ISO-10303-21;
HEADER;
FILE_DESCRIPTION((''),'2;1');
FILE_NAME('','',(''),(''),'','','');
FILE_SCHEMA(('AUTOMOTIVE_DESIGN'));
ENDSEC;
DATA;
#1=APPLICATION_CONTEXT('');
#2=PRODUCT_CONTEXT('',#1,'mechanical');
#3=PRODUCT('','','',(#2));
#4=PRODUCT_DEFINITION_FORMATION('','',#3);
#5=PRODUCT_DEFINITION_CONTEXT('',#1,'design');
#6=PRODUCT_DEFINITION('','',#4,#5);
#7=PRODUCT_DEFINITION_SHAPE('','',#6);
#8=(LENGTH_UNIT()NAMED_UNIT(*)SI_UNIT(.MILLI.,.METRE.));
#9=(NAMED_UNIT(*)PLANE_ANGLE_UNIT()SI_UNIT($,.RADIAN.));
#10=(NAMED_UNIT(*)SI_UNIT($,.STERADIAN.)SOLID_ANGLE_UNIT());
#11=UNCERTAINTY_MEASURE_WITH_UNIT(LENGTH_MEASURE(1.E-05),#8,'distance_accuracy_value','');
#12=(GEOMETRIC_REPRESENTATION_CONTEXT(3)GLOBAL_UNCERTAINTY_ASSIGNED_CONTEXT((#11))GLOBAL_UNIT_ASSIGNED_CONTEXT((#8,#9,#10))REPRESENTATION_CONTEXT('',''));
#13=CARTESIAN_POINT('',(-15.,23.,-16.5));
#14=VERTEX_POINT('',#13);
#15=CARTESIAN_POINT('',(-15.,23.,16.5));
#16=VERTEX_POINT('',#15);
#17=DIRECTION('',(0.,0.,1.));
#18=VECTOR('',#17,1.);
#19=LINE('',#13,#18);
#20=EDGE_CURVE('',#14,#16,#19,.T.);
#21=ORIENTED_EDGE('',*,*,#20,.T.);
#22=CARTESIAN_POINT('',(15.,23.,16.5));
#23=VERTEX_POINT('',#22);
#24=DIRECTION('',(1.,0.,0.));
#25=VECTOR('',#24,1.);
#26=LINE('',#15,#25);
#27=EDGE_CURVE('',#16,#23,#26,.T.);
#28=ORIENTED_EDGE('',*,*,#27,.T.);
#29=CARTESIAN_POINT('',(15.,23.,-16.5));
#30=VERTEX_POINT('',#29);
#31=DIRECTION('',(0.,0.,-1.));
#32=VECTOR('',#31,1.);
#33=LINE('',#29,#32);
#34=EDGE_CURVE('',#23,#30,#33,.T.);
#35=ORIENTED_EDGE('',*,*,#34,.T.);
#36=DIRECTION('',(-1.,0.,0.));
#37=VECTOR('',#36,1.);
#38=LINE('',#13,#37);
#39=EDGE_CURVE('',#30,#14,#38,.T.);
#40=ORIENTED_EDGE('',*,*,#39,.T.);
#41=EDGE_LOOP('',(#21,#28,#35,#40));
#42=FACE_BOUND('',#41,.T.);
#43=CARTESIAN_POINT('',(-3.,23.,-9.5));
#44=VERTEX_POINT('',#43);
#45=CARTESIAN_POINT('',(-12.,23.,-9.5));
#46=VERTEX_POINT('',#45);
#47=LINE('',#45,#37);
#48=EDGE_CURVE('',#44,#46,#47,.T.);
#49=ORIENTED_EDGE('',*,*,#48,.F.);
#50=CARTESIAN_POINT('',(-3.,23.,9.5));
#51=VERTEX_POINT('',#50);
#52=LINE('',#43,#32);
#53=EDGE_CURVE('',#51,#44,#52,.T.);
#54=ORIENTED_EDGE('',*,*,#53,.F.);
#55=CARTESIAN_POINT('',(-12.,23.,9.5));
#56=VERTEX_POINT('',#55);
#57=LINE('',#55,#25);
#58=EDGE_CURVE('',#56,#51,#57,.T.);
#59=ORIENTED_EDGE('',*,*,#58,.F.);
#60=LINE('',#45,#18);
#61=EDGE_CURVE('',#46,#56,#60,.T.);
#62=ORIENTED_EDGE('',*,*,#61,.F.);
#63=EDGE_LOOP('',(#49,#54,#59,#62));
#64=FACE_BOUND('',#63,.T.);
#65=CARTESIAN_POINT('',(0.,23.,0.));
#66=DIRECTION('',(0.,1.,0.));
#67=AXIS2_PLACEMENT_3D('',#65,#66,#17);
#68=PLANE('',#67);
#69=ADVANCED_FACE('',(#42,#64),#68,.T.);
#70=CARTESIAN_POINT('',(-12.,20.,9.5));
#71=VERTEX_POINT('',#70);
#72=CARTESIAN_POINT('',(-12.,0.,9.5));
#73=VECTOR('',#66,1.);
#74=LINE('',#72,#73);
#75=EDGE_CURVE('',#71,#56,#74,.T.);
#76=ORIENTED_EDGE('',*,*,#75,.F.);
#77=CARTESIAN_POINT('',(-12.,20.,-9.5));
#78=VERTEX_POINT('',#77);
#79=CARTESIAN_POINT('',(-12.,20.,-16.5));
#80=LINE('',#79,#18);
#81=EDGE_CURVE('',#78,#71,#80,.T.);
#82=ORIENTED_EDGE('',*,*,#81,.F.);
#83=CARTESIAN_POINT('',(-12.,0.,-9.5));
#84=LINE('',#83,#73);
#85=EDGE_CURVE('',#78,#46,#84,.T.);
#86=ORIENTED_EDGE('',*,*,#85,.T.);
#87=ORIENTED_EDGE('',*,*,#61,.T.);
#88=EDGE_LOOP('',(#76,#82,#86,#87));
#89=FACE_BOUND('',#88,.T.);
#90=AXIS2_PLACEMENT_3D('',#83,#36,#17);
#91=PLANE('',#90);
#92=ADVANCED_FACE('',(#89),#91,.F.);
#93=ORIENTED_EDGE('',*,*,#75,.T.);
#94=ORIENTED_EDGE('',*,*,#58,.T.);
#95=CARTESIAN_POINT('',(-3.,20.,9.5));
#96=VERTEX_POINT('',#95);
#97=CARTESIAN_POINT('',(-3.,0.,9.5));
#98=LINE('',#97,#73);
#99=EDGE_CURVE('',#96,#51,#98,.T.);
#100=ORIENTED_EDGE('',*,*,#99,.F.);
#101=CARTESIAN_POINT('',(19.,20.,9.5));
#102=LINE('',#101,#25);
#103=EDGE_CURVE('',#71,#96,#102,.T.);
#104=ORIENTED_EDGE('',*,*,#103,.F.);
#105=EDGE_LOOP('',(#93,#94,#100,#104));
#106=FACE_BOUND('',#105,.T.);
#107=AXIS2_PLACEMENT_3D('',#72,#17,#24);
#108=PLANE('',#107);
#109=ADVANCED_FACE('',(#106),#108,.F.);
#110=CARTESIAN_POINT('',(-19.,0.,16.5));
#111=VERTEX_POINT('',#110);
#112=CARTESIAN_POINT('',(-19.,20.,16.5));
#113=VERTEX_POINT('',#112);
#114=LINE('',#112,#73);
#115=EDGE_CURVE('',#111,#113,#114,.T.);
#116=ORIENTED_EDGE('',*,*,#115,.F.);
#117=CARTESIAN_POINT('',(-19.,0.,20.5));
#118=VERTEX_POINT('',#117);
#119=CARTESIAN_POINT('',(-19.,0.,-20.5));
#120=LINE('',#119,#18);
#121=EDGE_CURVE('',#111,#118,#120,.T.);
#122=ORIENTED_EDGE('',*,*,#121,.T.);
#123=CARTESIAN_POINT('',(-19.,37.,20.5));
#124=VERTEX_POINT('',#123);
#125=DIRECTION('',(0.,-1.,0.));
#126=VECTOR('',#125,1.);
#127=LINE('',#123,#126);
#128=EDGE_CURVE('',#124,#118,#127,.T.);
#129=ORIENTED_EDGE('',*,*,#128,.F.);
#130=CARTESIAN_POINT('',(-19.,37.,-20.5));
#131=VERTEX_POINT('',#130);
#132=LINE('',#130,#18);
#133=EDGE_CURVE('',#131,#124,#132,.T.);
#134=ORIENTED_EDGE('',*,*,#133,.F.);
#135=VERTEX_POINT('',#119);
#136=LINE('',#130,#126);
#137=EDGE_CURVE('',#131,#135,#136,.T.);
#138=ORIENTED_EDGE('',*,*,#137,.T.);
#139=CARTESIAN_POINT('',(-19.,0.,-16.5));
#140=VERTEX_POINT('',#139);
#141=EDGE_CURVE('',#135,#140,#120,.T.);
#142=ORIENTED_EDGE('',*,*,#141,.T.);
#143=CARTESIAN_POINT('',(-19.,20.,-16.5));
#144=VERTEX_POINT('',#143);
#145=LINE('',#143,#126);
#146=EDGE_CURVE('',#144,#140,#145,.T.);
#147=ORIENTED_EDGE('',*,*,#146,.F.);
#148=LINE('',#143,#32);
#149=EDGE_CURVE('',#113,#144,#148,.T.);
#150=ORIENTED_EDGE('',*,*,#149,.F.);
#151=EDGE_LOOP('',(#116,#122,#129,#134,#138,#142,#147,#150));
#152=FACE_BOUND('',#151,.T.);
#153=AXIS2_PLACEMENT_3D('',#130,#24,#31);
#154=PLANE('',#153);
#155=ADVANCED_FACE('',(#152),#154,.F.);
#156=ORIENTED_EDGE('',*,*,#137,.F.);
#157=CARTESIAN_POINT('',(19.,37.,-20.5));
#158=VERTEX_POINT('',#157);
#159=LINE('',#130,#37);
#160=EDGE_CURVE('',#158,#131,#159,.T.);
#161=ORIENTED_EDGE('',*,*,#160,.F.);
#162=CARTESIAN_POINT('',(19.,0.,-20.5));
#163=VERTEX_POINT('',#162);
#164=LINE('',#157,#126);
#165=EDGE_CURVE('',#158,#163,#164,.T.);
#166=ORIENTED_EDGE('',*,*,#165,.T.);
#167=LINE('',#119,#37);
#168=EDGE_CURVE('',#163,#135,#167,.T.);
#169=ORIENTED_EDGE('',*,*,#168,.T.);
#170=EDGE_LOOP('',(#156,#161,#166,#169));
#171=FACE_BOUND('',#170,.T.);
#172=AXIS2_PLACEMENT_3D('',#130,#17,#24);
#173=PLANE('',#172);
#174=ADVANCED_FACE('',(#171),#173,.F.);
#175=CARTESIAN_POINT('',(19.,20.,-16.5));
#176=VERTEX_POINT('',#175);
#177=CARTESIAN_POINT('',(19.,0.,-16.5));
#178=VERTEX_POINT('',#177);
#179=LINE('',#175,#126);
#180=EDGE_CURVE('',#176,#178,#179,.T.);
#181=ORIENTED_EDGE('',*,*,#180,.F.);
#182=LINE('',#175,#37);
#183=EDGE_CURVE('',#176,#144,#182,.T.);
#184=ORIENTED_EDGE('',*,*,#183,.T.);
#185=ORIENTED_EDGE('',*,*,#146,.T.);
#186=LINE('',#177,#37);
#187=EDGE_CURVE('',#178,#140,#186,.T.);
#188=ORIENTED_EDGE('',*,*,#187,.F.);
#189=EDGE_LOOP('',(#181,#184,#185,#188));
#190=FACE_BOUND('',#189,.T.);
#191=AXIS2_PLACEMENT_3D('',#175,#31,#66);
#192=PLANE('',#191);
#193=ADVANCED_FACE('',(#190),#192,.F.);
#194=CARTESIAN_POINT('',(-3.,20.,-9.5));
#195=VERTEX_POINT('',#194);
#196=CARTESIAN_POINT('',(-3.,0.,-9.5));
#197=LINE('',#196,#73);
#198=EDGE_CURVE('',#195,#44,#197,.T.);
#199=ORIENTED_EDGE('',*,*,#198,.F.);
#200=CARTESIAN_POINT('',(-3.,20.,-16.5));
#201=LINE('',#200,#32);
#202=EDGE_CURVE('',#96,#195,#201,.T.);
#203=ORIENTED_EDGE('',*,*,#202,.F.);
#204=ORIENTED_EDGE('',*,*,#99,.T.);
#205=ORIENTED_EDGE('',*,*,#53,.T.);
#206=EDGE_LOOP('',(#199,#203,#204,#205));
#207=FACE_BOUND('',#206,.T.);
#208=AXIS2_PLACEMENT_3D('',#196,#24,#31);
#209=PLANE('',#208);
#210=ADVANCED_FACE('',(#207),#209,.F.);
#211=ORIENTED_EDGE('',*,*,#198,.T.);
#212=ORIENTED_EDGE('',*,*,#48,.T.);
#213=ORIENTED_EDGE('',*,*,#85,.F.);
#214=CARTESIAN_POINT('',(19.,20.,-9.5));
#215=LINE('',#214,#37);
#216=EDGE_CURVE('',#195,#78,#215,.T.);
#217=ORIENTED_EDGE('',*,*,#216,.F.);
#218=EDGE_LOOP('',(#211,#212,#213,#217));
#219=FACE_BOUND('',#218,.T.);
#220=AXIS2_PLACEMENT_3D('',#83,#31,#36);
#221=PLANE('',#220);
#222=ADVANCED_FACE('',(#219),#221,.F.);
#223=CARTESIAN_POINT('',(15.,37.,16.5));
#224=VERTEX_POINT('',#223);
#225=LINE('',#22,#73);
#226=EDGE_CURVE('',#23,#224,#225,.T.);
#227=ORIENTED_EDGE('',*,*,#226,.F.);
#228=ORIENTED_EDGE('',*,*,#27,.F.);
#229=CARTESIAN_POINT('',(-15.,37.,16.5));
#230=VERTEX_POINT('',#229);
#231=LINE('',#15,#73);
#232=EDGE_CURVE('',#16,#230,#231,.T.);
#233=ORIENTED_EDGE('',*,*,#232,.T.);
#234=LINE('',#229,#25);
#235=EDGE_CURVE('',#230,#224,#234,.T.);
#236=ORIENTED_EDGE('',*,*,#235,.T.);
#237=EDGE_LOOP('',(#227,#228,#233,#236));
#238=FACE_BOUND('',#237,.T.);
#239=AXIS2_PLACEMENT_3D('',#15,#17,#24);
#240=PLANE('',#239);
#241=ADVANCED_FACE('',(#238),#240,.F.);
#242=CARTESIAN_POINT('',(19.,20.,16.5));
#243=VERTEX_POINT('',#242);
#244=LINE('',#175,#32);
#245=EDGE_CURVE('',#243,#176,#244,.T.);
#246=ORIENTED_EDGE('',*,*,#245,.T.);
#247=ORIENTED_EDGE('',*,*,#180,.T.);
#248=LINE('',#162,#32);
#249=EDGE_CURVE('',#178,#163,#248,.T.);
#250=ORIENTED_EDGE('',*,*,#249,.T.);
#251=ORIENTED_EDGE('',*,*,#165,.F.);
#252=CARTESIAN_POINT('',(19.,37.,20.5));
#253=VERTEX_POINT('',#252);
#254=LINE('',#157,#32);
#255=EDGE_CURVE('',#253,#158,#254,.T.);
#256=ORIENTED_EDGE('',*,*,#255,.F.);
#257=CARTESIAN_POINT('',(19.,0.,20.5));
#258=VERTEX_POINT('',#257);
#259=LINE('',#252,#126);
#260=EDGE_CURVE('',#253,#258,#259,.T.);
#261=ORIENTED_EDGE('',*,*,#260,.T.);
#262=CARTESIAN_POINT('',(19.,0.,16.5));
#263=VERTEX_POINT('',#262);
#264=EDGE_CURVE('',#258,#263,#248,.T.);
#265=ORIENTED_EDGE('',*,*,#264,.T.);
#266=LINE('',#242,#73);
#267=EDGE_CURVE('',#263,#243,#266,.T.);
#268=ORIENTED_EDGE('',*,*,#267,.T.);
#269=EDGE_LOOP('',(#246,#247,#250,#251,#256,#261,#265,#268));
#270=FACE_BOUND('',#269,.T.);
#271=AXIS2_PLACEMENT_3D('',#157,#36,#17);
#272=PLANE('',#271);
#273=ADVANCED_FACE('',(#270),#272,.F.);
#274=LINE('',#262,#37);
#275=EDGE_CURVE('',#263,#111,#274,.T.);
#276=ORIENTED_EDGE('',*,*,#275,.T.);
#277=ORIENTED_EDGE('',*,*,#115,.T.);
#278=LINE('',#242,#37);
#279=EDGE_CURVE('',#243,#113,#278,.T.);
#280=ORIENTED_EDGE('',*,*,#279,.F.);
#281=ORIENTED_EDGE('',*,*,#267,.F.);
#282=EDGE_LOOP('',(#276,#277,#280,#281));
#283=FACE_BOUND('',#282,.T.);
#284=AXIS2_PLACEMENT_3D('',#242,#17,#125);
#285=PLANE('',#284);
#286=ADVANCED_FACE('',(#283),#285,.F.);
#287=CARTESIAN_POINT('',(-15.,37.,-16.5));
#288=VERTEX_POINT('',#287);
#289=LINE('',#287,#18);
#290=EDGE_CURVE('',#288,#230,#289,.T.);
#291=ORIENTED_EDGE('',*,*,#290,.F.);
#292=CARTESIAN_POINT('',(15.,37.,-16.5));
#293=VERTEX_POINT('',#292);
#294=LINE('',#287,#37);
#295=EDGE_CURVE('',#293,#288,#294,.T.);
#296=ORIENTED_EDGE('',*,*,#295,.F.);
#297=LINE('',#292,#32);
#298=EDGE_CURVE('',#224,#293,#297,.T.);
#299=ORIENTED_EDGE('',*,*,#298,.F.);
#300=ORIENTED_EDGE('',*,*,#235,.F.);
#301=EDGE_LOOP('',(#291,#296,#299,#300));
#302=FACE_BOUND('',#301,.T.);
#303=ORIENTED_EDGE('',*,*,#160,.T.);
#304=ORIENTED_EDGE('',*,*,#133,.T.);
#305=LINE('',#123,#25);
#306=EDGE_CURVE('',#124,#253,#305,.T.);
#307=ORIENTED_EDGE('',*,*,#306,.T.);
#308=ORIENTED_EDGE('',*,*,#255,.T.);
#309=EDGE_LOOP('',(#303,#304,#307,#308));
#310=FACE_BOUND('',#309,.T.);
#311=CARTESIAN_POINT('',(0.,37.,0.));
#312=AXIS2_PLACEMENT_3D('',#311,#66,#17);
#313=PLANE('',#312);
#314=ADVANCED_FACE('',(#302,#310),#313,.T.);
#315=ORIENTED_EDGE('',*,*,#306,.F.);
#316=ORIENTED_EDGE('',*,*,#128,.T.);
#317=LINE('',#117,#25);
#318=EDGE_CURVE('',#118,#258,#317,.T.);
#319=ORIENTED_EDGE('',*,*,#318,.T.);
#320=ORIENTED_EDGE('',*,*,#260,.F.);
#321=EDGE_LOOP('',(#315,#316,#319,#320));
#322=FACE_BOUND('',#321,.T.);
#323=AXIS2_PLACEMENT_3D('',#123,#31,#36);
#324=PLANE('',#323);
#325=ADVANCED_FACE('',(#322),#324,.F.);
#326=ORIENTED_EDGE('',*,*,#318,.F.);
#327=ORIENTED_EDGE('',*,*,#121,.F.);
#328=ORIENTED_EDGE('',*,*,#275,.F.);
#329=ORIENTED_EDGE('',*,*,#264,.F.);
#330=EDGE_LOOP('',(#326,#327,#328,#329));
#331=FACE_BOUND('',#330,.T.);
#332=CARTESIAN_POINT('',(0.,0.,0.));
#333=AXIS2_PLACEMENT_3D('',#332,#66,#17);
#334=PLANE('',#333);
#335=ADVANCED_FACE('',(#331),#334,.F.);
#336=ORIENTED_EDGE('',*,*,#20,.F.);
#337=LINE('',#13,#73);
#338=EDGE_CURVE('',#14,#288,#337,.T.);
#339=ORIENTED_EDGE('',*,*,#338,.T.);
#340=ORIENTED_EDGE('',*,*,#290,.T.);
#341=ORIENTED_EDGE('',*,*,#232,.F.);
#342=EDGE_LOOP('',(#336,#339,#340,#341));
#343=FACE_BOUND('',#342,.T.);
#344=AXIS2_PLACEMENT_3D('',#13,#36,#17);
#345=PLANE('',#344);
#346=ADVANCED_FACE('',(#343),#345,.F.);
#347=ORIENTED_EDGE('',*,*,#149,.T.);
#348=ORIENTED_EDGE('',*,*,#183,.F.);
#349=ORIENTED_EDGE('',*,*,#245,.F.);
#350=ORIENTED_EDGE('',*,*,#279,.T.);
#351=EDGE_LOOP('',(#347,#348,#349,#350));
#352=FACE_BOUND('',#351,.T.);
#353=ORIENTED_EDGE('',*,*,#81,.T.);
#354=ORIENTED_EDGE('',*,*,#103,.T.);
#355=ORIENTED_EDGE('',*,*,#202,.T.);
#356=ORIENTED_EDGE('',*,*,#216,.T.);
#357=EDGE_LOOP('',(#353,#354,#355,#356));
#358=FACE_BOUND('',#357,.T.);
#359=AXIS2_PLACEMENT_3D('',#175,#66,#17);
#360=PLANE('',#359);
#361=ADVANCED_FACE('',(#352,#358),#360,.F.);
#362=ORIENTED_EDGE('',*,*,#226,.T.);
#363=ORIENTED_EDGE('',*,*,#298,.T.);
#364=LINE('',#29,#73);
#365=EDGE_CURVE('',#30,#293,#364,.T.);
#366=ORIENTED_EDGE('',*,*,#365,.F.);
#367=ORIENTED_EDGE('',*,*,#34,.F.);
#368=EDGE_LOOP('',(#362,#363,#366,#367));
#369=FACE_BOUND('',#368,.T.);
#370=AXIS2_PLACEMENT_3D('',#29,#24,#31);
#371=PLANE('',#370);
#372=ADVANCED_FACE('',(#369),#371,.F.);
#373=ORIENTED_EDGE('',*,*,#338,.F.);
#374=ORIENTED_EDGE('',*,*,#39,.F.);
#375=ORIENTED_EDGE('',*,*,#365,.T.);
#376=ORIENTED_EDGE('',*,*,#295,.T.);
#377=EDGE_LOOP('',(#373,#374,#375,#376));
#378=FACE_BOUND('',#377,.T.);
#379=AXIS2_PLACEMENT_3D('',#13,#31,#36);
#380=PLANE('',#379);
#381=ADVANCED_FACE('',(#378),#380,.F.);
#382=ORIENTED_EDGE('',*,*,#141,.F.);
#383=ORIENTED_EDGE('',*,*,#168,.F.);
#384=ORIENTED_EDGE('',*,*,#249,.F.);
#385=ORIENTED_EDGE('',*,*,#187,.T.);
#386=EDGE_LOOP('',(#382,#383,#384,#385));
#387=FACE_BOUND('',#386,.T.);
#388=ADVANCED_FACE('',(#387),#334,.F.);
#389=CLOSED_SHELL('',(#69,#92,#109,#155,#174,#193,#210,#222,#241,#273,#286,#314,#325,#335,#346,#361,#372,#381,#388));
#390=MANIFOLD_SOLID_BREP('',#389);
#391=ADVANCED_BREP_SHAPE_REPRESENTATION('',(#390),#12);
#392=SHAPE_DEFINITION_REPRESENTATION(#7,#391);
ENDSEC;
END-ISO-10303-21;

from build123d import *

# Parameters (mm, degrees)
SKETCH1_W           = 38
SKETCH1_H           = 41
BOSS_EXTRUDE1_DEPTH = 37
SKETCH2_W           = 30
SKETCH2_H           = 33
CUT_EXTRUDE1_DEPTH  = 14
SKETCH3_W           = 33
SKETCH3_H           = 20
CUT_EXTRUDE2_DEPTH  = 57.861674263
SKETCH4_W           = 9
SKETCH4_H           = 19
CUT_EXTRUDE3_DEPTH  = 37.197375595


with BuildPart() as part:
    # Sketch1 → Boss-Extrude1 (new body)
    with BuildSketch(Plane(origin=(0, 0, 0), x_dir=(1, 0, 0), z_dir=(0, 1, 0))):
        Rectangle(SKETCH1_W, SKETCH1_H)
    extrude(amount=BOSS_EXTRUDE1_DEPTH)

    # Sketch2 → Cut-Extrude1 (cut)
    with BuildSketch(Plane(origin=(0, 37, 0), x_dir=(1, 0, 0), z_dir=(0, 1, 0))):
        Rectangle(SKETCH2_W, SKETCH2_H)
    extrude(amount=-CUT_EXTRUDE1_DEPTH, mode=Mode.SUBTRACT)

    # Sketch3 → Cut-Extrude2 (cut, through all)
    with BuildSketch(Plane.ZY.offset(19)):
        with Locations((0, 10)):
            Rectangle(SKETCH3_W, SKETCH3_H)
    extrude(amount=-CUT_EXTRUDE2_DEPTH, mode=Mode.SUBTRACT)

    # Sketch4 → Cut-Extrude3 (cut, through all)
    with BuildSketch(Plane(origin=(0, 23, 0), x_dir=(1, 0, 0), z_dir=(0, 1, 0))):
        with Locations((-7.5, 0)):
            Rectangle(SKETCH4_W, SKETCH4_H)
    extrude(amount=-CUT_EXTRUDE3_DEPTH, mode=Mode.SUBTRACT)


solid = part.part
